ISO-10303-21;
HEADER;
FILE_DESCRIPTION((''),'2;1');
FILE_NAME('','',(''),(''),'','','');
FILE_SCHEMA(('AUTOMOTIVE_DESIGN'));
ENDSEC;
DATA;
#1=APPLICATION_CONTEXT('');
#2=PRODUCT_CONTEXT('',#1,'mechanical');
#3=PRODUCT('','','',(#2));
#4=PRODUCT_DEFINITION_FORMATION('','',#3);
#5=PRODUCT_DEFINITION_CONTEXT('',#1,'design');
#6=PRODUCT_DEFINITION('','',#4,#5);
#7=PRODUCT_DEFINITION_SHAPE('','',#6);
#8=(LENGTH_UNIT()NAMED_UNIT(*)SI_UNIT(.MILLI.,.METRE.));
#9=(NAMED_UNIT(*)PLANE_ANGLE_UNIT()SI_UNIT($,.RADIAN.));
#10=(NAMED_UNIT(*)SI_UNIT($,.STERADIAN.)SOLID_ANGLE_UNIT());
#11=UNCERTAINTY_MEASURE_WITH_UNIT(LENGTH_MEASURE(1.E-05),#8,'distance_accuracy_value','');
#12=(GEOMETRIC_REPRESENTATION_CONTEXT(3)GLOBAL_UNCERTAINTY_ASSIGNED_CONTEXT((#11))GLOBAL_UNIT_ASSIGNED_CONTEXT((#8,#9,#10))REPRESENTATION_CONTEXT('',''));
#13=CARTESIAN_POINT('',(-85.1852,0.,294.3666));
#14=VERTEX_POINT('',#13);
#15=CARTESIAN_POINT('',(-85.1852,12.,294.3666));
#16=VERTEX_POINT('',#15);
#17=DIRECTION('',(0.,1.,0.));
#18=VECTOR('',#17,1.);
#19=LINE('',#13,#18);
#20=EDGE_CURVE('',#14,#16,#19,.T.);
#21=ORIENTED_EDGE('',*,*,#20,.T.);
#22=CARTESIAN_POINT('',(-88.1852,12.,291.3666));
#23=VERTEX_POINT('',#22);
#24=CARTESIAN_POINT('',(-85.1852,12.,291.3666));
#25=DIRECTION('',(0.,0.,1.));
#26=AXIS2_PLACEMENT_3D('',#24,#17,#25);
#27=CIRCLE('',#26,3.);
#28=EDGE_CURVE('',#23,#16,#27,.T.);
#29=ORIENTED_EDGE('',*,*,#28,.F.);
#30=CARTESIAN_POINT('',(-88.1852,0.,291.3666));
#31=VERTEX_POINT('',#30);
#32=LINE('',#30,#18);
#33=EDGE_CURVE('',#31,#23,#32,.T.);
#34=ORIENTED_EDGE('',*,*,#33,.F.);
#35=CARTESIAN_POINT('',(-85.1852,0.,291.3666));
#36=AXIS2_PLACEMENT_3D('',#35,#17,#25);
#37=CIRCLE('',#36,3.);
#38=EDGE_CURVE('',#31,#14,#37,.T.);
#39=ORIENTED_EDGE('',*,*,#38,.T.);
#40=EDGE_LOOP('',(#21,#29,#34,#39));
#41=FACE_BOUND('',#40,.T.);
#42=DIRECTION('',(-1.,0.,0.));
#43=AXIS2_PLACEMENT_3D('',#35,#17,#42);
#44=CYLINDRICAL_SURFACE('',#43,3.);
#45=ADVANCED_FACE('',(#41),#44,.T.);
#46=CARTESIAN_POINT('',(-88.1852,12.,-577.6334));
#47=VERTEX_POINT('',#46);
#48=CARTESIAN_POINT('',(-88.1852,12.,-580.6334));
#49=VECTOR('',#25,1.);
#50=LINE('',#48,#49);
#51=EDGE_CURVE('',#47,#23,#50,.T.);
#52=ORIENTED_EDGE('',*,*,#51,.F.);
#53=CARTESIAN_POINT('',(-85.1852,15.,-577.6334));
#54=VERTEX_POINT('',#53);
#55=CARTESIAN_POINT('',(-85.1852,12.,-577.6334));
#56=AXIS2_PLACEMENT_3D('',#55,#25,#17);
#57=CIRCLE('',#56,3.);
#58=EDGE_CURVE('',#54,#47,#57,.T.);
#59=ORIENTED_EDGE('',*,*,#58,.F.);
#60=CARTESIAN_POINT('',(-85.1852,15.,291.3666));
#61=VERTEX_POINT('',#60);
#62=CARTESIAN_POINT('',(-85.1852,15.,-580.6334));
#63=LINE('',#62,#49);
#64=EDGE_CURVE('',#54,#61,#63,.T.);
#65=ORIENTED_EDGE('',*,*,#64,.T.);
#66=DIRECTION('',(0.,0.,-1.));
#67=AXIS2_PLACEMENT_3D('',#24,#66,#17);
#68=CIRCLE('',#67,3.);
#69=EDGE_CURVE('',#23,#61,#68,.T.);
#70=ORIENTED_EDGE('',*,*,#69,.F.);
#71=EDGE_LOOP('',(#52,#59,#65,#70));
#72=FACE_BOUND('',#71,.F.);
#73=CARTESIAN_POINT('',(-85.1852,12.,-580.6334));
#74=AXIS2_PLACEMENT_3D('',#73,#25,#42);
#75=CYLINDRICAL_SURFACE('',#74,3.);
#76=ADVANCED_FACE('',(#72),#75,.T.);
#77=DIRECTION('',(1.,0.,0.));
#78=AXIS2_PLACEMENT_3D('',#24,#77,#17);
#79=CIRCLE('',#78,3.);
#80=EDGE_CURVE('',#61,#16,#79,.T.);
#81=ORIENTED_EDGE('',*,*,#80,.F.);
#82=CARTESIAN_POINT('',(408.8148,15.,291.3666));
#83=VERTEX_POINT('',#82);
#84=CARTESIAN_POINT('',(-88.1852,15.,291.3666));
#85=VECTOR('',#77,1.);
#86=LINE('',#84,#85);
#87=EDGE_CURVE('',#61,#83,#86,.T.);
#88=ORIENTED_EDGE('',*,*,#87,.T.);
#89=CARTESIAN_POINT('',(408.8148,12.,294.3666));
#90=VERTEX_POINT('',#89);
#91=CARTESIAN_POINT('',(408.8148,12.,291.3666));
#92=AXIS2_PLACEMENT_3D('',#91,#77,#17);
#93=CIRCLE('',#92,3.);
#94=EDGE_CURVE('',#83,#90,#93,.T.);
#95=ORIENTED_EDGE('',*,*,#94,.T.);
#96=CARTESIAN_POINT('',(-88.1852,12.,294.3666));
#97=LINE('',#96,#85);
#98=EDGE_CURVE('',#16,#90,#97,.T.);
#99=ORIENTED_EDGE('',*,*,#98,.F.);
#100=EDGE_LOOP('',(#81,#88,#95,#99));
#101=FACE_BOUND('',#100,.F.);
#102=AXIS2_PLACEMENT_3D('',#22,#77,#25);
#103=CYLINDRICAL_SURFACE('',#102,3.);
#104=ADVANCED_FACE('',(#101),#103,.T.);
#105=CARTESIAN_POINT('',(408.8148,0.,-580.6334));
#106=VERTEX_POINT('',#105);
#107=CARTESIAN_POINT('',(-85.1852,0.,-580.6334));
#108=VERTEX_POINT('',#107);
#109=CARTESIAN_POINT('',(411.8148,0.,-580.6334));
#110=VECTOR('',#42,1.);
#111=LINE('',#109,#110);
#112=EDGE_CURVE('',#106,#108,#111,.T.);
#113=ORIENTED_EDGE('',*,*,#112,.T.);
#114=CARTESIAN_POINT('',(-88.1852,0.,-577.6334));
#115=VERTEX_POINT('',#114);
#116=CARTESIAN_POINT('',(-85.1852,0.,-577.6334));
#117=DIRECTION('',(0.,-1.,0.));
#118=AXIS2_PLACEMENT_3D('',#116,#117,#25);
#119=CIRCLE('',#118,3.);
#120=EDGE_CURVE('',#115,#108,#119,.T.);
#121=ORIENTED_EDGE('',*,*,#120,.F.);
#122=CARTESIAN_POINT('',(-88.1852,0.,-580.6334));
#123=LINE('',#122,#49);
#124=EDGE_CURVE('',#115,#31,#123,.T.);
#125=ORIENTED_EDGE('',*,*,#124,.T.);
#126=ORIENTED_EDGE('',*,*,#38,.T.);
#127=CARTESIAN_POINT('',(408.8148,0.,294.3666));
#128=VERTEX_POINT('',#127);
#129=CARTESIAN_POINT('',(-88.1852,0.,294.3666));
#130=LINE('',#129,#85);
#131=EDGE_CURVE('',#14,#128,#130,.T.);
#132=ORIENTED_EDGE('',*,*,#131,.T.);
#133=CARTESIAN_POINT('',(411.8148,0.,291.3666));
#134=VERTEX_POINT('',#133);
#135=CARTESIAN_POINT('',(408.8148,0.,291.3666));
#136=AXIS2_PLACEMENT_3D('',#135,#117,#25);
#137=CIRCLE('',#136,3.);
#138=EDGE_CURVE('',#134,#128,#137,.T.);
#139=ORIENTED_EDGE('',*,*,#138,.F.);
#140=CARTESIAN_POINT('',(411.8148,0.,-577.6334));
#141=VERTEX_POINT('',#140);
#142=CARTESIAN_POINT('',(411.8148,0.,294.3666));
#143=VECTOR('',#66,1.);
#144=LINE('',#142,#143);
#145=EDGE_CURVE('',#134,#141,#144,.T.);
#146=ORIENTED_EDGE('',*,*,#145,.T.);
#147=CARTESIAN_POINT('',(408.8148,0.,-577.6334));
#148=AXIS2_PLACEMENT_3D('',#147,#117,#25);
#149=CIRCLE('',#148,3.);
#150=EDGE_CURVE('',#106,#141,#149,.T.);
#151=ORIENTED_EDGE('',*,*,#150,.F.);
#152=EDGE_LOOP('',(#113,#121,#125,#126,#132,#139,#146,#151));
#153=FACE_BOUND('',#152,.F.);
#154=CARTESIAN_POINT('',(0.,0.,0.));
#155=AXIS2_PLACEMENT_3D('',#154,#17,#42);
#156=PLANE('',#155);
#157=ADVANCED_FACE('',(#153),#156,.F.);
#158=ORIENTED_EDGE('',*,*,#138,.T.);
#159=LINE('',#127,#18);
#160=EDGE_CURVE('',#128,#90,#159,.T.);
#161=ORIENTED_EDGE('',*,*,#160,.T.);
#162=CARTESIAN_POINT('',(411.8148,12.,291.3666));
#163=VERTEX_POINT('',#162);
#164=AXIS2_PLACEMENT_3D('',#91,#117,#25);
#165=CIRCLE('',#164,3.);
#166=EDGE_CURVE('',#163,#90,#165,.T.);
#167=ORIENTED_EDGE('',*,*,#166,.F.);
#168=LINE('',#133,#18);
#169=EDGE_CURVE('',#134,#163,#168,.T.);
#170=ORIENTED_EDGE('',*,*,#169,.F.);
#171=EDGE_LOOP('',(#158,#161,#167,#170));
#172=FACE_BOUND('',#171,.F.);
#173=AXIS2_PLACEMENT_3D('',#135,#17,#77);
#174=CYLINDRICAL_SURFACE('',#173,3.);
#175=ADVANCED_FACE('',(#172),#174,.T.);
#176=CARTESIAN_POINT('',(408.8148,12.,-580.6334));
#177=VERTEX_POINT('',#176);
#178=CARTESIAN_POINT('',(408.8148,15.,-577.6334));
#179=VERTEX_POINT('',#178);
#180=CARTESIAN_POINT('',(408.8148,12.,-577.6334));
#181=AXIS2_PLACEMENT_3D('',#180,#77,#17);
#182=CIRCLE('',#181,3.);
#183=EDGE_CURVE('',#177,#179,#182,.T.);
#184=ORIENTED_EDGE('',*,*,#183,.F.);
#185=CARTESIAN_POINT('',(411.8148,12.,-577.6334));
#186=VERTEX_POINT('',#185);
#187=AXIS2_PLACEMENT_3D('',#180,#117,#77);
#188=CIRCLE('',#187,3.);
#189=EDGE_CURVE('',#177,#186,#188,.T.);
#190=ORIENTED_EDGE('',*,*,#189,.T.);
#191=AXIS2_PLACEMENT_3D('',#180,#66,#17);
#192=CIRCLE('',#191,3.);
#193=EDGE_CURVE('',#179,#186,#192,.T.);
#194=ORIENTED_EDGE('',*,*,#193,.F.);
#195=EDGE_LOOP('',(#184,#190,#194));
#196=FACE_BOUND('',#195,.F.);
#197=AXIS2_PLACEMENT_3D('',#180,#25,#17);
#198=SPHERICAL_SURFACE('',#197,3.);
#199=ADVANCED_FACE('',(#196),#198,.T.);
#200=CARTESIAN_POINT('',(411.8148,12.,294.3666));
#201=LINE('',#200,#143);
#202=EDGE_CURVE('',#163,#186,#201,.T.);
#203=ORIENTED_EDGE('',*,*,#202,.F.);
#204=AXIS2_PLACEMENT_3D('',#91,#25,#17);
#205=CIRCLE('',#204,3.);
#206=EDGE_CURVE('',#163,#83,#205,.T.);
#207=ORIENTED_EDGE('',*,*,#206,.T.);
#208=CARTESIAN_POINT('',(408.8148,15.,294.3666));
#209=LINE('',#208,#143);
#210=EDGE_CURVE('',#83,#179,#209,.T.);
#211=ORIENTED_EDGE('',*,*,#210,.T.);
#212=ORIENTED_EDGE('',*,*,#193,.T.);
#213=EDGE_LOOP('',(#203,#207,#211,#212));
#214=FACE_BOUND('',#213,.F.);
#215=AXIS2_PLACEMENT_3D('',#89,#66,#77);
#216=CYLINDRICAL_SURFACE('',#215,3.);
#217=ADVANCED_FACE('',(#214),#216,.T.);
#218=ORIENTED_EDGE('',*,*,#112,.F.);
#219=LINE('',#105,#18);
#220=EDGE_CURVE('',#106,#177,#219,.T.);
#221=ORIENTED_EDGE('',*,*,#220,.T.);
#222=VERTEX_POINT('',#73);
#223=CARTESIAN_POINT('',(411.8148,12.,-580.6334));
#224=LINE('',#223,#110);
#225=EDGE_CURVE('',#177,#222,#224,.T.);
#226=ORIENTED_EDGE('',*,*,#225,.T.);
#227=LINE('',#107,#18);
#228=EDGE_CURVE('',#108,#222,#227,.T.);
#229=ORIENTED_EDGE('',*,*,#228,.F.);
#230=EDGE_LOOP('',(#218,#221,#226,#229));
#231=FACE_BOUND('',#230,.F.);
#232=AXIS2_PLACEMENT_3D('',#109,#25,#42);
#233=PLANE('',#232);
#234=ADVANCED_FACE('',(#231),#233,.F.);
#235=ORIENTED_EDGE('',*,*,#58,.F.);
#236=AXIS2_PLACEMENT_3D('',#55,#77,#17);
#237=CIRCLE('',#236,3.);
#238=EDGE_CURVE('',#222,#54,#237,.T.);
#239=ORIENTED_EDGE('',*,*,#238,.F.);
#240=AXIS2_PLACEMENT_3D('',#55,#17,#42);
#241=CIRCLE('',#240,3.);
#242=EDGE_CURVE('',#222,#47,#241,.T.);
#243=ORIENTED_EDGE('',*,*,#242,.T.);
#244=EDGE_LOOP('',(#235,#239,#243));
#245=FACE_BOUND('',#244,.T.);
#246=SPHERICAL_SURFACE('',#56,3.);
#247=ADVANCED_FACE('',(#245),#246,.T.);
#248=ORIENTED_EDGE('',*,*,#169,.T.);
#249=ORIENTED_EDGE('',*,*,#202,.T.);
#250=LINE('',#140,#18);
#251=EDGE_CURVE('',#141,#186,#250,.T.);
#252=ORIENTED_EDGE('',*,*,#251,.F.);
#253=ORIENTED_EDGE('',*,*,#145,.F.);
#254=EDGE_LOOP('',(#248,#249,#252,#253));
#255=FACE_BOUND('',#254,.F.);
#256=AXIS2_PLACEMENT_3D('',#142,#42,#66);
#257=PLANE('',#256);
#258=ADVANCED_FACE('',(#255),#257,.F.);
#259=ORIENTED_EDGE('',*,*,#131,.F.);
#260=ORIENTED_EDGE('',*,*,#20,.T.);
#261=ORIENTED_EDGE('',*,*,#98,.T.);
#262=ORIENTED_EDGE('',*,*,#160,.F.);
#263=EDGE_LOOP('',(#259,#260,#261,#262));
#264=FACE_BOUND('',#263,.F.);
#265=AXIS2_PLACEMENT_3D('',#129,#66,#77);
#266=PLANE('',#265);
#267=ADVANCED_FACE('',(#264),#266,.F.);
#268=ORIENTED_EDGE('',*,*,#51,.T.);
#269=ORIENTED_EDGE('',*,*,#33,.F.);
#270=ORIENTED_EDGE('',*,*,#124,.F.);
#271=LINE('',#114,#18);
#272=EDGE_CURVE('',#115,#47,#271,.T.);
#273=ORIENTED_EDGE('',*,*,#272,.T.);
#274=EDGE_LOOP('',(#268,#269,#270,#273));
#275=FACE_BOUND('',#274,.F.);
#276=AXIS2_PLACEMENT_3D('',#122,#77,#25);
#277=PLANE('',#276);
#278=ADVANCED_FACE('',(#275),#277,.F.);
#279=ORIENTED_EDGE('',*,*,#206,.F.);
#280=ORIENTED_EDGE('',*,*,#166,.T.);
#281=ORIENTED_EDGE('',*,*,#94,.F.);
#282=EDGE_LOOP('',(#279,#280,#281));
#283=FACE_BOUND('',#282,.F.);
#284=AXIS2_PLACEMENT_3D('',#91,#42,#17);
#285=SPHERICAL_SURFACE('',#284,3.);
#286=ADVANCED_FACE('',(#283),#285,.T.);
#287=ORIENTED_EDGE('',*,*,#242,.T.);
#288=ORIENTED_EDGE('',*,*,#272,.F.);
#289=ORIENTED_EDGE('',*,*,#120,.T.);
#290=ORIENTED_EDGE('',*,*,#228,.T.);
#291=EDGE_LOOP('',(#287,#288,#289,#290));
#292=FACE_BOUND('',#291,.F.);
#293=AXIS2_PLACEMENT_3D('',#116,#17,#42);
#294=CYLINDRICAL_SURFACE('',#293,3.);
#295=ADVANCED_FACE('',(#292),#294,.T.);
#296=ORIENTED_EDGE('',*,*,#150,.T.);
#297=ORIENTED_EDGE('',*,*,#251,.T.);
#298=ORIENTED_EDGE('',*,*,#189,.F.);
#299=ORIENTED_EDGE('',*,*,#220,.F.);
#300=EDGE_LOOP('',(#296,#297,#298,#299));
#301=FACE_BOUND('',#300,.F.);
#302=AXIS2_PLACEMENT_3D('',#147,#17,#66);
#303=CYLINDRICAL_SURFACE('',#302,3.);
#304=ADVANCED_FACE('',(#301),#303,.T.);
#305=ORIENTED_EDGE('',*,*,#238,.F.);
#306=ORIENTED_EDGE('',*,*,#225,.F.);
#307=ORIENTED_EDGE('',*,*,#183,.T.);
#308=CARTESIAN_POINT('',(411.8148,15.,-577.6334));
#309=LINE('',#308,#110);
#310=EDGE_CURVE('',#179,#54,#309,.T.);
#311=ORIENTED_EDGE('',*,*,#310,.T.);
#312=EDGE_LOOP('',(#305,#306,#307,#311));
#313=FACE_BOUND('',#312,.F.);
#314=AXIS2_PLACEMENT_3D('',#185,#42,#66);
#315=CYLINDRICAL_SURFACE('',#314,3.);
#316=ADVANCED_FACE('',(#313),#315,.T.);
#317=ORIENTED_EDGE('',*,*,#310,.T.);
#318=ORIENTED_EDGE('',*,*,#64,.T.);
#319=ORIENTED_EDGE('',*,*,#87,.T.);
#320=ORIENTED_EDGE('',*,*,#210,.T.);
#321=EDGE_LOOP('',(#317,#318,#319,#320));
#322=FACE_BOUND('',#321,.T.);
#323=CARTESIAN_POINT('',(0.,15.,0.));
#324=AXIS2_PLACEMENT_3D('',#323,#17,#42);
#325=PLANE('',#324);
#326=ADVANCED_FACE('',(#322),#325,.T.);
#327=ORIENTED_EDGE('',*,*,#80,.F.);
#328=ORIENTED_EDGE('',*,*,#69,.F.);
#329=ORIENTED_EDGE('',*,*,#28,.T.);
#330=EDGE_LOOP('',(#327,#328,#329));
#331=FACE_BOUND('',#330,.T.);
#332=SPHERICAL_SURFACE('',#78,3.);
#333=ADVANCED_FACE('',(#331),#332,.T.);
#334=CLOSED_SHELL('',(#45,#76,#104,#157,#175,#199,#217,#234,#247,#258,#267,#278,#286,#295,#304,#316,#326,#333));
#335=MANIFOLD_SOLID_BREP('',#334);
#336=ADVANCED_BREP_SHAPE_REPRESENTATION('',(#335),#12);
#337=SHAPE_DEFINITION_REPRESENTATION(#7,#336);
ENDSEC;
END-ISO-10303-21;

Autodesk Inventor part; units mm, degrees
ref_plane "YZ Plane" through (0, 0, 0) normal (1, 0, 0) x (0, 1, 0)
ref_plane "XZ Plane" through (0, 0, 0) normal (0, 1, 0) x (-1, 0, 0)
ref_plane "XY Plane" through (0, 0, 0) normal (0, 0, 1) x (1, 0, 0)
sketch "Sketch1" plane through (0, 0, 0) normal (0, 1, 0) x (-1, 0, 0)
  line L0 (88.1852, 294.3666) -> (-411.8148, 294.3666)
  line L1 (-411.8148, 294.3666) -> (-411.8148, -580.6334)
  line L2 (-411.8148, -580.6334) -> (88.1852, -580.6334)
  line L3 (88.1852, -580.6334) -> (88.1852, 294.3666)
  point P0 (0, 0)
  dimension "d0" = 875
  dimension "d1" = 500
extrude "Extrusion1" add sketch "Sketch1" along normal blind 15
fillet "Fillet1" radius 3 8 edges at (161.8148, 15, 294.3666) (-88.1852, 15, -143.1334) (411.8148, 15, -143.1334) (161.8148, 15, -580.6334) (411.8148, 7.5, -580.6334) (411.8148, 7.5, 294.3666) (-88.1852, 7.5, 294.3666) (-88.1852, 7.5, -580.6334)
properties part number "baseplate" material "Wood Flooring"
